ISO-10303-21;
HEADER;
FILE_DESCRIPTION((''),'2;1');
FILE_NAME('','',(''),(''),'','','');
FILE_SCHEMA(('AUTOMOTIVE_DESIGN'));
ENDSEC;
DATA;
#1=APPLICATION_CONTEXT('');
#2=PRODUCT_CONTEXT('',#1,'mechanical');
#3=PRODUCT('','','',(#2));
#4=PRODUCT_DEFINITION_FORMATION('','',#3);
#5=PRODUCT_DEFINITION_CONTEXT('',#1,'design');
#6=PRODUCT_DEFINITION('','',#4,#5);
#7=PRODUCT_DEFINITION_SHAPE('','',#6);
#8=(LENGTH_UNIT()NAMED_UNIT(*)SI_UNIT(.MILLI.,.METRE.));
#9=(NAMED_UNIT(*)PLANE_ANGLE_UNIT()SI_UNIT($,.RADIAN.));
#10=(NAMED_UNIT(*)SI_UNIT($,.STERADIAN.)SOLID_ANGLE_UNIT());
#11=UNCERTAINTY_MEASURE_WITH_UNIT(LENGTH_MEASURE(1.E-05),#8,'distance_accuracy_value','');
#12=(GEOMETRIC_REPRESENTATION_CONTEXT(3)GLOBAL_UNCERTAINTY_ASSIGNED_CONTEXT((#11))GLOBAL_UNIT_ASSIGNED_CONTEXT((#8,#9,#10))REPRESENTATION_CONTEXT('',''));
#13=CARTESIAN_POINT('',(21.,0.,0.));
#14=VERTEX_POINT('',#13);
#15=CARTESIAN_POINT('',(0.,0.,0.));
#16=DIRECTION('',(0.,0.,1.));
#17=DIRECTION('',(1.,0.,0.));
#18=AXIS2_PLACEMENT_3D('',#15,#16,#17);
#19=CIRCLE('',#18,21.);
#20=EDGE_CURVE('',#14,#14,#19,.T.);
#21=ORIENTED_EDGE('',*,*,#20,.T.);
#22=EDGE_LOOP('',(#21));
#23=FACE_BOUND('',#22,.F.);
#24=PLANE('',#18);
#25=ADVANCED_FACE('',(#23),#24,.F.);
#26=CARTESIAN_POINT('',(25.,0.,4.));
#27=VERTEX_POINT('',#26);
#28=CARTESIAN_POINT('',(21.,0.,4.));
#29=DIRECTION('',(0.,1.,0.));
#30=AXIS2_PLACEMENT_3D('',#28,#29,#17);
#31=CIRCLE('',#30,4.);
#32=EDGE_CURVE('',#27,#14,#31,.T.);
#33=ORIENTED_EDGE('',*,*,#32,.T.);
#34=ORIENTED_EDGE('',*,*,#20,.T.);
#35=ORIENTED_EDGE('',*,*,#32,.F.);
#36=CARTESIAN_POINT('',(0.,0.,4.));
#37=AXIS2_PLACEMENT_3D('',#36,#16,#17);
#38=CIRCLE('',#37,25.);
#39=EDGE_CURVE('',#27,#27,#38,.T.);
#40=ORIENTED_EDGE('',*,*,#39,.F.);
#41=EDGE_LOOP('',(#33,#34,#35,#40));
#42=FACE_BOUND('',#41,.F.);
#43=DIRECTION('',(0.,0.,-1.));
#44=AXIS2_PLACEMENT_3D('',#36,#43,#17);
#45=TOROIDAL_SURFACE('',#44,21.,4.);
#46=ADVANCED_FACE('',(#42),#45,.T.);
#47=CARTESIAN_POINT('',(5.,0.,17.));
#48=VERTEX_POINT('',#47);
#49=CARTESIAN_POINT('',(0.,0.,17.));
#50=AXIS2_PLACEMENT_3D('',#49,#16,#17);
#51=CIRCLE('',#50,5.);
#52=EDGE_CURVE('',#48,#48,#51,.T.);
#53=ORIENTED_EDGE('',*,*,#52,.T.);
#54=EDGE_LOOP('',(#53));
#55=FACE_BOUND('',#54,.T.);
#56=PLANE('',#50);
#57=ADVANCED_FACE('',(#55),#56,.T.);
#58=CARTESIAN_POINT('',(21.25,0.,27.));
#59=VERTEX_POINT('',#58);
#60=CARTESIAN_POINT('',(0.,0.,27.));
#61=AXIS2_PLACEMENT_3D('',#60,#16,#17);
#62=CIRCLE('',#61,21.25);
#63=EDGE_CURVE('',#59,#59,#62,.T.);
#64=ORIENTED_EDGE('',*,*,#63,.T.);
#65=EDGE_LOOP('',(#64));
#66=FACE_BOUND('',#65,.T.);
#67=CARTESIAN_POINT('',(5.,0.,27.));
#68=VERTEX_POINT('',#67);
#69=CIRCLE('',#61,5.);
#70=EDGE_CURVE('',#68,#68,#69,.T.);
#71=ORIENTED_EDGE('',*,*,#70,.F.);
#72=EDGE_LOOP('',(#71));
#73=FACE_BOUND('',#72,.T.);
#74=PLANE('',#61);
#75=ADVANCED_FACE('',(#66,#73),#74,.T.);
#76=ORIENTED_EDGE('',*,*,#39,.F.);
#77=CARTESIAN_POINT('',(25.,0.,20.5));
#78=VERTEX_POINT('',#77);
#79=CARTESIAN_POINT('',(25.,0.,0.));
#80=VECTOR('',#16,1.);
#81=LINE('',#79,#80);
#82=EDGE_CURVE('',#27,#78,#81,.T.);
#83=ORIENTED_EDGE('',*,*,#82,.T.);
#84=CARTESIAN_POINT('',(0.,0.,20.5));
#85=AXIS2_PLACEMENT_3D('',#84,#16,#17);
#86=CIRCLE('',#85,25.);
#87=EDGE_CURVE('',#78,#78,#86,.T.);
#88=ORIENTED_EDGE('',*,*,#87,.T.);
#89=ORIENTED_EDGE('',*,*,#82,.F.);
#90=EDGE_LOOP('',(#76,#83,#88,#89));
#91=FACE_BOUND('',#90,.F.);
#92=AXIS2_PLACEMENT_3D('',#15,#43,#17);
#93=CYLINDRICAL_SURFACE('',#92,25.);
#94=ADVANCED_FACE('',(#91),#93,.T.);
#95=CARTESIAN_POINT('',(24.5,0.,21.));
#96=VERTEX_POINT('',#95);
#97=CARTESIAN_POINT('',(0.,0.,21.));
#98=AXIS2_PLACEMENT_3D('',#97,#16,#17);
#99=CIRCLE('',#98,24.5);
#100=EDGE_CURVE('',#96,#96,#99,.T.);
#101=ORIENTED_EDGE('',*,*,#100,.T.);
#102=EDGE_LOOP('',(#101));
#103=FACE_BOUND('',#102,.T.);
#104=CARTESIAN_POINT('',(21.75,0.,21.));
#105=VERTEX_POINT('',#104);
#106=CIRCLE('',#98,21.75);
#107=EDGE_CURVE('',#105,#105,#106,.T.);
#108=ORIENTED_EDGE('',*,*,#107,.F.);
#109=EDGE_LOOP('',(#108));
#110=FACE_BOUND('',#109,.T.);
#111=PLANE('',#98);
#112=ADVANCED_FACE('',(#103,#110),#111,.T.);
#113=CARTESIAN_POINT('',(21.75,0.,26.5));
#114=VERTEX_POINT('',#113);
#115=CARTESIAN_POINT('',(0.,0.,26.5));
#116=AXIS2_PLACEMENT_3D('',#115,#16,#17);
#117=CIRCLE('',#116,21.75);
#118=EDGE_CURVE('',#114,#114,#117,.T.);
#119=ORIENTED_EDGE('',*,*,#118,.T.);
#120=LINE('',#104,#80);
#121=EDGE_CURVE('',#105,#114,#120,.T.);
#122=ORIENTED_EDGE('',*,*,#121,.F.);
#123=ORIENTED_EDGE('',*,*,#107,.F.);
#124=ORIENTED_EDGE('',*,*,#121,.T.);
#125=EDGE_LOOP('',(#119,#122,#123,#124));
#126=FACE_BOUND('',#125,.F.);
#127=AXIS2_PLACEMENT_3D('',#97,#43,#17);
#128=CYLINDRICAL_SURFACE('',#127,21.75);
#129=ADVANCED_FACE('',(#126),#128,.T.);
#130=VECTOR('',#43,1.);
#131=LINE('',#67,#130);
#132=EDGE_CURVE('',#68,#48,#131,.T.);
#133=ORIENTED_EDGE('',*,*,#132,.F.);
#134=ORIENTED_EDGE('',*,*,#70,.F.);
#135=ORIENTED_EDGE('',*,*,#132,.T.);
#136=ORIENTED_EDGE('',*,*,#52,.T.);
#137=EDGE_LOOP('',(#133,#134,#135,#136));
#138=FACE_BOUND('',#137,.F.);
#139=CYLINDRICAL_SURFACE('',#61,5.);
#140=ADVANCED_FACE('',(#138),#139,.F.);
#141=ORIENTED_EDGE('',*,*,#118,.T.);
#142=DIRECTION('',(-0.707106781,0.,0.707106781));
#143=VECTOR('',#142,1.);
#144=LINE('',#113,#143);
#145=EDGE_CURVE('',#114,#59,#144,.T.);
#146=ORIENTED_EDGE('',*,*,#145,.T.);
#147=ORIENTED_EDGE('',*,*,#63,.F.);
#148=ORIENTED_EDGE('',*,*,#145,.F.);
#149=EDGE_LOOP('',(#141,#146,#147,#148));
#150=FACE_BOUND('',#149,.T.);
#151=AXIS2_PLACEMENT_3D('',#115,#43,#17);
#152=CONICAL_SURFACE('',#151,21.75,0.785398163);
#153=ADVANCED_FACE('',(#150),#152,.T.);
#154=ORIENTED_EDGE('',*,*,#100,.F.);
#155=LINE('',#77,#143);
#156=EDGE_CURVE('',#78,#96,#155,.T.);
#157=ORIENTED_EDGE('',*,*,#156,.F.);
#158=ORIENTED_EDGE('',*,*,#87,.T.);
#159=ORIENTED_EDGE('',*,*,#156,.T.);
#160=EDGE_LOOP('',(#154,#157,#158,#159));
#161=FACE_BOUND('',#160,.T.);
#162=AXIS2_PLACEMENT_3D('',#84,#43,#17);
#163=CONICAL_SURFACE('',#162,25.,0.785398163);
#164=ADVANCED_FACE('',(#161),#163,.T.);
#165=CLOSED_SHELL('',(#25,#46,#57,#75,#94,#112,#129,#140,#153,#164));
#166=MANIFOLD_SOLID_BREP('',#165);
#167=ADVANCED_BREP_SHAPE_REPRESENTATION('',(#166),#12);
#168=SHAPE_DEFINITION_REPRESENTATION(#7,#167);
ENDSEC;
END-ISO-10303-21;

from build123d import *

# Parameters (mm, degrees)
F0_R     = 25
F1_DEPTH = 21
F2_R     = 21.75
F3_DEPTH = 6
F4_R     = 5
F5_DEPTH = 10
F6_SIZE  = 0.5
F7_R     = 4


with BuildPart() as f1:
    # F0 (on Top) → F1 (new body)
    with BuildSketch(Plane.XY):
        Circle(F0_R)
    extrude(amount=F1_DEPTH)

    # F2 (on face) → F3 (join)
    with BuildSketch(Plane.XY.offset(21)):
        Circle(F2_R)
    extrude(amount=F3_DEPTH)

    # F4 (on face) → F5 (cut)
    with BuildSketch(Plane.XY.offset(27)):
        Circle(F4_R)
    extrude(amount=-F5_DEPTH, mode=Mode.SUBTRACT)

    # F6
    f6_edges = [f1.edges().sort_by_distance(p)[0] for p in [
        (-21.75, 0, 27),
        (-25, 0, 21),
    ]]
    chamfer(f6_edges, length=F6_SIZE)

    # F7
    f7_edges = [f1.edges().sort_by_distance(p)[0] for p in [
        (-25, 0, 0),
    ]]
    fillet(f7_edges, radius=F7_R)


solid = f1.part
